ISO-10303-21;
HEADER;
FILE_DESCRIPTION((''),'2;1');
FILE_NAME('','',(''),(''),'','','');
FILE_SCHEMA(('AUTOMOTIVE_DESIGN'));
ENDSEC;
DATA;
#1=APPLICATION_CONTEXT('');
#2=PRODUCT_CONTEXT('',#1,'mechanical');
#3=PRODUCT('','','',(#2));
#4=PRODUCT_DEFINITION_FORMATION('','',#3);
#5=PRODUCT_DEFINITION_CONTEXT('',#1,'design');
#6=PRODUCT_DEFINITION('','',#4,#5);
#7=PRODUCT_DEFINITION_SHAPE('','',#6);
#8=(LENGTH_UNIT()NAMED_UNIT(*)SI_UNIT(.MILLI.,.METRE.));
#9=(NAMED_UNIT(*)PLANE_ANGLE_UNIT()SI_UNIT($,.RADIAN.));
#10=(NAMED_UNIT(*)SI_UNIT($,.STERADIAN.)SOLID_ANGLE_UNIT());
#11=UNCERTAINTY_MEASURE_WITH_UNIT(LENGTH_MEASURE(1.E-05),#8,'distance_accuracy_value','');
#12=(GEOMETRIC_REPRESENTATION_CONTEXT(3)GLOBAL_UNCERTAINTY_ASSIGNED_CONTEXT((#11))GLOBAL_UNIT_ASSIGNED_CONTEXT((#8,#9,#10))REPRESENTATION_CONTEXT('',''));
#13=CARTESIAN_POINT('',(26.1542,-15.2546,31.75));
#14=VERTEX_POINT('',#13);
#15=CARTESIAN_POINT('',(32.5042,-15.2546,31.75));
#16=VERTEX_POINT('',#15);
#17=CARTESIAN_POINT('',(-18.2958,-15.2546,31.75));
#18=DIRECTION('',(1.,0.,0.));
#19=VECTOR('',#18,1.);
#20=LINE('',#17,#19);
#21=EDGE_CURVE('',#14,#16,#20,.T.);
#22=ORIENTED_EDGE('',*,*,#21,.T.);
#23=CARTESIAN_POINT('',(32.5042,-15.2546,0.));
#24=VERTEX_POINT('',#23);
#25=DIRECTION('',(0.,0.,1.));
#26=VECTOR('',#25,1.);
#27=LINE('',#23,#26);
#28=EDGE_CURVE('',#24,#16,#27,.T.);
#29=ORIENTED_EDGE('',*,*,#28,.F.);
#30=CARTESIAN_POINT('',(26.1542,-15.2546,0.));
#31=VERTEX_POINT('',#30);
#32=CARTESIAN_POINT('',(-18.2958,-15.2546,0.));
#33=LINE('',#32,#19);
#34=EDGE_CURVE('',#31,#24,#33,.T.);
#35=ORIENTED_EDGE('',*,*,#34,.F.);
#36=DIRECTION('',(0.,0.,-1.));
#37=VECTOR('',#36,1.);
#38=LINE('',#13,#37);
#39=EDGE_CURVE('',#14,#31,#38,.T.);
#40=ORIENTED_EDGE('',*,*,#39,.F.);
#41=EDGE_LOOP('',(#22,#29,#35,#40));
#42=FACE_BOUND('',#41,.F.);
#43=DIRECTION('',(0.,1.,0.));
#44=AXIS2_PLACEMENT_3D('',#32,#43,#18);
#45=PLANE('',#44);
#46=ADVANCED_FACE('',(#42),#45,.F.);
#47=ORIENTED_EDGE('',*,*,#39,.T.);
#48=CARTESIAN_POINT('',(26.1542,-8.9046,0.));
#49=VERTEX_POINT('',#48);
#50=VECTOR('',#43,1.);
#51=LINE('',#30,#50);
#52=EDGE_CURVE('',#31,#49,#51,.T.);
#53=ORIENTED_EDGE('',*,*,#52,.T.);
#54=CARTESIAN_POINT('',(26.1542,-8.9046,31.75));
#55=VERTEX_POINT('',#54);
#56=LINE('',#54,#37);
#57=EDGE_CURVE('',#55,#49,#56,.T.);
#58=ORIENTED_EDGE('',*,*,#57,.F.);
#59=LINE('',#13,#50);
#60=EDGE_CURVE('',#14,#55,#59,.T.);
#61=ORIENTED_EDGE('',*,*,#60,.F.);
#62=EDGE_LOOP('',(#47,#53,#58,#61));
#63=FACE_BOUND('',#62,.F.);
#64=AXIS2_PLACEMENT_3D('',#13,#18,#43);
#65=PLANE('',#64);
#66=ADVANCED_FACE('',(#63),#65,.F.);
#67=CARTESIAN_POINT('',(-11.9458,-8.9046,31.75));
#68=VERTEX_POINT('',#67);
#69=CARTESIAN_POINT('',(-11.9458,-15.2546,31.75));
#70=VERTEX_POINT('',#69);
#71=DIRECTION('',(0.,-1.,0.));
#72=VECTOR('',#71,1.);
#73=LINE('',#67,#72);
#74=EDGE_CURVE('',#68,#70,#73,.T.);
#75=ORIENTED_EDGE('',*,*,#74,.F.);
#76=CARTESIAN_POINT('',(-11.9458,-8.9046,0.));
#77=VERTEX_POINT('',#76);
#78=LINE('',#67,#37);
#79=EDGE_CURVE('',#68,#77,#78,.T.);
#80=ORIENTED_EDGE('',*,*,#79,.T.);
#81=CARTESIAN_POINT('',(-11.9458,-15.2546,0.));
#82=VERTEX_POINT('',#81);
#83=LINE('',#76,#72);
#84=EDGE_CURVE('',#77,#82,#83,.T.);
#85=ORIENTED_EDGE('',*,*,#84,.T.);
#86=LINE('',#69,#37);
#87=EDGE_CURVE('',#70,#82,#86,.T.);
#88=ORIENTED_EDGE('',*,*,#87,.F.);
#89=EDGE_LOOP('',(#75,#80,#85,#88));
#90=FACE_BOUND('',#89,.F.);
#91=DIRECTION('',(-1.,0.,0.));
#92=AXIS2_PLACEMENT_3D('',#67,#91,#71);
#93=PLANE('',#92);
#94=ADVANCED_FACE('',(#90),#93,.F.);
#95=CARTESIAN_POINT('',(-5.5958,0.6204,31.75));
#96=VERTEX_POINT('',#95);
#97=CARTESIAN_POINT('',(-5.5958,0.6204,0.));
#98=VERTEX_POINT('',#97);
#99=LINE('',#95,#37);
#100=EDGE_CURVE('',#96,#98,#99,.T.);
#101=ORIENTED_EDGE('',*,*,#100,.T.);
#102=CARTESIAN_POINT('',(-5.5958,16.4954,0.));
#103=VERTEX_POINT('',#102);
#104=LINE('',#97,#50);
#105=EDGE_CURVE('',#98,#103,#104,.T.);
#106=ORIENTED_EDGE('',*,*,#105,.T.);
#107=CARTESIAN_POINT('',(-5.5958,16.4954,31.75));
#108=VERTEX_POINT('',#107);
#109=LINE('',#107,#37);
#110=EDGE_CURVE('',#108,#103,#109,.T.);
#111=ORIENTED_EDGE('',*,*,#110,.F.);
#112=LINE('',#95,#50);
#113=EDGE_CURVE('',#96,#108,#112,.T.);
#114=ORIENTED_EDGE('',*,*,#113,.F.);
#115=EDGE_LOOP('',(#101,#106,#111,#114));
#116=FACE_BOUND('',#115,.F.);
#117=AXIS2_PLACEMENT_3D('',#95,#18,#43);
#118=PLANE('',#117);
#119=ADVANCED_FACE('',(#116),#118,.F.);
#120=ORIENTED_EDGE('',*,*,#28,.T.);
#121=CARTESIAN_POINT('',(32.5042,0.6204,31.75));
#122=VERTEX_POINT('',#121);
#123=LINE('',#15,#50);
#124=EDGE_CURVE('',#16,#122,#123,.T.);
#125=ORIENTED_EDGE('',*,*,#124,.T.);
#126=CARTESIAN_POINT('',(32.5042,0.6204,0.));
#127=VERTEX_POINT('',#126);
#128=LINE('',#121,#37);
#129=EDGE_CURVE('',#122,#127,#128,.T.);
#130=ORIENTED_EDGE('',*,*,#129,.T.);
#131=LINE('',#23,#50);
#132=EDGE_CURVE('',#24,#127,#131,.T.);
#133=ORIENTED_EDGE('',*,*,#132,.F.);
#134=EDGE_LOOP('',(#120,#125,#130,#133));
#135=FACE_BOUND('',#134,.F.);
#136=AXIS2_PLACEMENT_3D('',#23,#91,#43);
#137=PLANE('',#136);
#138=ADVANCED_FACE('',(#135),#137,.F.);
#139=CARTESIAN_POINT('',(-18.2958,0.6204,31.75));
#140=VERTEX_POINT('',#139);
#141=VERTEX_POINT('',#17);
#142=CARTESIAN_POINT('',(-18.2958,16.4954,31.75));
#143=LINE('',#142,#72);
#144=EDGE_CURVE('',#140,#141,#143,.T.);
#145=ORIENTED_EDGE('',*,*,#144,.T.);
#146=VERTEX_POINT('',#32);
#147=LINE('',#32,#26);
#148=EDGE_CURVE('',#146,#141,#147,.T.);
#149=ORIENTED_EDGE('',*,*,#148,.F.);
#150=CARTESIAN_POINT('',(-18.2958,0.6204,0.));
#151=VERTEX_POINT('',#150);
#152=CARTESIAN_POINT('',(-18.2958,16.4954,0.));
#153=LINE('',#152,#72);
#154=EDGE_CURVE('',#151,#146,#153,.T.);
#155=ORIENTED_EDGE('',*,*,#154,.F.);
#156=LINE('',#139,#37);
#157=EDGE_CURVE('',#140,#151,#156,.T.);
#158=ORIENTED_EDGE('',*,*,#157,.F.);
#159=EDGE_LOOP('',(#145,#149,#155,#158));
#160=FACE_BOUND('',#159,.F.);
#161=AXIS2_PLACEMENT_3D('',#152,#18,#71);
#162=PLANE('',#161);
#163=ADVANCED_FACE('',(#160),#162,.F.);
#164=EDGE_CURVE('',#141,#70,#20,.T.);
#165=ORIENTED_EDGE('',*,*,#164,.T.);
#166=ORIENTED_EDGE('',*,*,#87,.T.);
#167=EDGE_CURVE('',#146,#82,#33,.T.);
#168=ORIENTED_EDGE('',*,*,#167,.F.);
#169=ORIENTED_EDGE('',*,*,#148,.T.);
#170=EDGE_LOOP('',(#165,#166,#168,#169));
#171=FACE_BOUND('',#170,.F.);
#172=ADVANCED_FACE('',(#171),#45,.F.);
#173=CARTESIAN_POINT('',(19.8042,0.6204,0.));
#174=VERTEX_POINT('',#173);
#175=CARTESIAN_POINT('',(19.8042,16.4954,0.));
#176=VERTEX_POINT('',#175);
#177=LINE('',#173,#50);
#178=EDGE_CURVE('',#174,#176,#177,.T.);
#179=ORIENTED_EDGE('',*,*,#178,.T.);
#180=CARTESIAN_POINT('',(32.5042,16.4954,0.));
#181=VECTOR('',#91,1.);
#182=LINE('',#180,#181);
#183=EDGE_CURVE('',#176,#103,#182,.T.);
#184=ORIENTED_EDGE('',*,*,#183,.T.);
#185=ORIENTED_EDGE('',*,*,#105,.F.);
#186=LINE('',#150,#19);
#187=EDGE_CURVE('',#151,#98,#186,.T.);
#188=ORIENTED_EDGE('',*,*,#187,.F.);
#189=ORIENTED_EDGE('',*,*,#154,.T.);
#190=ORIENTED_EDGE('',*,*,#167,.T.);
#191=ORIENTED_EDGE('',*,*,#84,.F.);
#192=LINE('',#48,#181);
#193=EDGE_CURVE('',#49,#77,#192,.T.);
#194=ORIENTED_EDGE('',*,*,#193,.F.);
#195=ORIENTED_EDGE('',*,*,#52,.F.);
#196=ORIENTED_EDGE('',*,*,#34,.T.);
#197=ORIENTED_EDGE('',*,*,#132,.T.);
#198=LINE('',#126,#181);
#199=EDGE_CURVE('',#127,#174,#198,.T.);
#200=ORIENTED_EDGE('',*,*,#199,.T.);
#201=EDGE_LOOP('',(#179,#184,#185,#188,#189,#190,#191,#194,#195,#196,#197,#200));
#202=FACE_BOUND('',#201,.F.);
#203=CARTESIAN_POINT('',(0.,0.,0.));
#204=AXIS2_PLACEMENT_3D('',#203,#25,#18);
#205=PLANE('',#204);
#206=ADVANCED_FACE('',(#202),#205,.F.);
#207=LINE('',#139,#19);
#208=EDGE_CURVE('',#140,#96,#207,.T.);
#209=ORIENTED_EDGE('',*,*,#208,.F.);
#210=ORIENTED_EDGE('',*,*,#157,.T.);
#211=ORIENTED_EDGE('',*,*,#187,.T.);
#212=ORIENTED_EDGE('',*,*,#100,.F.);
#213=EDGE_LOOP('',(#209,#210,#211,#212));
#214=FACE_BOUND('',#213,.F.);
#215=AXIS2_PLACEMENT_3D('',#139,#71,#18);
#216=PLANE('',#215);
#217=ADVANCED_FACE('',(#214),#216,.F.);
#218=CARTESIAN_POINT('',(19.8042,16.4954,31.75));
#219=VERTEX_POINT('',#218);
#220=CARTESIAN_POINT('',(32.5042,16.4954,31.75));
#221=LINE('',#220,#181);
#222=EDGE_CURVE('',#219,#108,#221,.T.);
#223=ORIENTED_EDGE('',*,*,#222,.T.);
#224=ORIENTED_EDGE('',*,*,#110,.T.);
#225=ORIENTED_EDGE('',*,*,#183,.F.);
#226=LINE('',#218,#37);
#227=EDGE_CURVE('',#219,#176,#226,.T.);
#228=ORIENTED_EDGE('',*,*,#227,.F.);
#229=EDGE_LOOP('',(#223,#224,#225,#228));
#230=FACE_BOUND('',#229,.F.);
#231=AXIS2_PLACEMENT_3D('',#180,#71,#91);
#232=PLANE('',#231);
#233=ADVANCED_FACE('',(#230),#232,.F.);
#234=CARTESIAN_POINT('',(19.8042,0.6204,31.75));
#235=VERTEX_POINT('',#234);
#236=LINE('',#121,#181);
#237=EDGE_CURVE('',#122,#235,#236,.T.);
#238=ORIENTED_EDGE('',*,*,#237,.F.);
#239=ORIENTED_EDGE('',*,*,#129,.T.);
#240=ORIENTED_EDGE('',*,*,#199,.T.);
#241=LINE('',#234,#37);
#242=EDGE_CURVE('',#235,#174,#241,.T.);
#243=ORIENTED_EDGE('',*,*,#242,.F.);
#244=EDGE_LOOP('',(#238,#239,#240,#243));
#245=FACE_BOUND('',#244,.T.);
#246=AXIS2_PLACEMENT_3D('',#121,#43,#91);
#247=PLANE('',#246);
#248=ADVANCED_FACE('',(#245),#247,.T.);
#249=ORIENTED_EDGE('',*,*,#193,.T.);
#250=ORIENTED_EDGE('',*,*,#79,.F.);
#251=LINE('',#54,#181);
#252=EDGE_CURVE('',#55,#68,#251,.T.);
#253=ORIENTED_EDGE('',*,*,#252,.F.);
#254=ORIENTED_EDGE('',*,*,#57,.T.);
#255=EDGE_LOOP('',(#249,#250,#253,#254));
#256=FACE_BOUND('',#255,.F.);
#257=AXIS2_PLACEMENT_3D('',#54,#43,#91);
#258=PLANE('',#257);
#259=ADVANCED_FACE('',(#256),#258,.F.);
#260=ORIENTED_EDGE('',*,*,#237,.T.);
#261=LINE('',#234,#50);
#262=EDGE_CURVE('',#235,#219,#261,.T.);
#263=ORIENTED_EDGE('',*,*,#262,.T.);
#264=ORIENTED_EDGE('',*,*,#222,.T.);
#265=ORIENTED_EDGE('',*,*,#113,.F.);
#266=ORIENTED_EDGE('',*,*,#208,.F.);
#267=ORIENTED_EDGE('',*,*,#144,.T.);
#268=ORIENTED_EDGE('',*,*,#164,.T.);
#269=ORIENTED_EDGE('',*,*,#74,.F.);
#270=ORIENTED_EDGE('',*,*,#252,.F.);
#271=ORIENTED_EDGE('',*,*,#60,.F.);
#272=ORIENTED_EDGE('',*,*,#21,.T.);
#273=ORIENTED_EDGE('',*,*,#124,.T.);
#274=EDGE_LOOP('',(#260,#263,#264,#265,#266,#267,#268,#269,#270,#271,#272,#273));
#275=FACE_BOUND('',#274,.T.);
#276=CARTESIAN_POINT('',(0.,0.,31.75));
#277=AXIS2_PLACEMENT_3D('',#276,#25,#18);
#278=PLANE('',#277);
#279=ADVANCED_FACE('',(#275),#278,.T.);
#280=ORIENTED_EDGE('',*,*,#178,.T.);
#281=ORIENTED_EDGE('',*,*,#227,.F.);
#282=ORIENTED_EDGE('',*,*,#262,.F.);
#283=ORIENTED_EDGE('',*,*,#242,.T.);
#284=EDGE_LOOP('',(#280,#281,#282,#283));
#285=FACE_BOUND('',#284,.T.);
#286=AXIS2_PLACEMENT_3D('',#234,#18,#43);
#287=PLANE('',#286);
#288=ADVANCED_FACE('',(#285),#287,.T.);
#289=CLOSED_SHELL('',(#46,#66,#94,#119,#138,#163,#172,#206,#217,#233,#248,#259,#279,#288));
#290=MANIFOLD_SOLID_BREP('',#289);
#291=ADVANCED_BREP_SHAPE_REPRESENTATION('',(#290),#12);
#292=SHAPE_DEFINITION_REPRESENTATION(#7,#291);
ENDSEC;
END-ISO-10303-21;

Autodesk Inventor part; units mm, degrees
ref_plane "YZ Plane" through (0, 0, 0) normal (1, 0, 0) x (0, 1, 0)
ref_plane "XZ Plane" through (0, 0, 0) normal (0, 1, 0) x (-1, 0, 0)
ref_plane "XY Plane" through (0, 0, 0) normal (0, 0, 1) x (1, 0, 0)
sketch "Sketch1" plane through (0, 0, 0) normal (0, 0, 1) x (1, 0, 0)
  line L0 (-18.2958, -15.2546) -> (32.5042, -15.2546)
  line L1 (32.5042, -15.2546) -> (32.5042, 16.4954)
  line L2 (32.5042, 16.4954) -> (-18.2958, 16.4954)
  line L3 (-18.2958, 16.4954) -> (-18.2958, -15.2546)
  point P0 (0, 0)
  dimension "d0" = 50.8
  dimension "d1" = 31.75
extrude "Extrusion1" add sketch "Sketch1" along normal blind 31.75
sketch "Sketch2" plane through (0, 0, 31.75) normal (0, 0, 1) x (1, 0, 0)
  line L0 (32.5042, 16.4954) -> (-18.2958, 16.4954) projected
  line L1 (32.5042, -15.2546) -> (32.5042, 16.4954) projected
  line L2 (19.8042, 16.4954) -> (32.5042, 16.4954)
  line L3 (32.5042, 16.4954) -> (32.5042, 0.6204)
  line L4 (32.5042, 0.6204) -> (19.8042, 0.6204)
  line L5 (19.8042, 0.6204) -> (19.8042, 16.4954)
  line L6 (-18.2958, 16.4954) -> (-18.2958, -15.2546) projected
  line L7 (-18.2958, 0.6204) -> (-5.5958, 0.6204)
  line L8 (-5.5958, 0.6204) -> (-5.5958, 16.4954)
  line L9 (-5.5958, 16.4954) -> (-18.2958, 16.4954)
  line L10 (-18.2958, 16.4954) -> (-18.2958, 0.6204)
  point P0 (0, 0)
  dimension "d4" = 15.875
  dimension "d5" = 12.7
  dimension "d6" = 15.875
  dimension "d7" = 12.7
extrude "Extrusion2" cut sketch "Sketch2" against normal blind 31.75
sketch "Sketch3" plane through (0, 0, 31.75) normal (0, 0, 1) x (1, 0, 0)
  line L0 (-18.2958, -15.2546) -> (32.5042, -15.2546) projected
  line L1 (-11.9458, -15.2546) -> (26.1542, -15.2546)
  line L2 (26.1542, -15.2546) -> (26.1542, -8.9046)
  line L3 (26.1542, -8.9046) -> (-11.9458, -8.9046)
  line L4 (-11.9458, -8.9046) -> (-11.9458, -15.2546)
  line L5 (-18.2958, 0.6204) -> (-18.2958, -15.2546) projected
  line L6 (32.5042, -15.2546) -> (32.5042, 0.6204) projected
  point P0 (0, 0)
  dimension "d10" = 6.35
  dimension "d11" = 6.35
  dimension "d12" = 6.35
extrude "Extrusion3" cut sketch "Sketch3" against normal blind 31.75
properties part number "Figure 7_27_2"
